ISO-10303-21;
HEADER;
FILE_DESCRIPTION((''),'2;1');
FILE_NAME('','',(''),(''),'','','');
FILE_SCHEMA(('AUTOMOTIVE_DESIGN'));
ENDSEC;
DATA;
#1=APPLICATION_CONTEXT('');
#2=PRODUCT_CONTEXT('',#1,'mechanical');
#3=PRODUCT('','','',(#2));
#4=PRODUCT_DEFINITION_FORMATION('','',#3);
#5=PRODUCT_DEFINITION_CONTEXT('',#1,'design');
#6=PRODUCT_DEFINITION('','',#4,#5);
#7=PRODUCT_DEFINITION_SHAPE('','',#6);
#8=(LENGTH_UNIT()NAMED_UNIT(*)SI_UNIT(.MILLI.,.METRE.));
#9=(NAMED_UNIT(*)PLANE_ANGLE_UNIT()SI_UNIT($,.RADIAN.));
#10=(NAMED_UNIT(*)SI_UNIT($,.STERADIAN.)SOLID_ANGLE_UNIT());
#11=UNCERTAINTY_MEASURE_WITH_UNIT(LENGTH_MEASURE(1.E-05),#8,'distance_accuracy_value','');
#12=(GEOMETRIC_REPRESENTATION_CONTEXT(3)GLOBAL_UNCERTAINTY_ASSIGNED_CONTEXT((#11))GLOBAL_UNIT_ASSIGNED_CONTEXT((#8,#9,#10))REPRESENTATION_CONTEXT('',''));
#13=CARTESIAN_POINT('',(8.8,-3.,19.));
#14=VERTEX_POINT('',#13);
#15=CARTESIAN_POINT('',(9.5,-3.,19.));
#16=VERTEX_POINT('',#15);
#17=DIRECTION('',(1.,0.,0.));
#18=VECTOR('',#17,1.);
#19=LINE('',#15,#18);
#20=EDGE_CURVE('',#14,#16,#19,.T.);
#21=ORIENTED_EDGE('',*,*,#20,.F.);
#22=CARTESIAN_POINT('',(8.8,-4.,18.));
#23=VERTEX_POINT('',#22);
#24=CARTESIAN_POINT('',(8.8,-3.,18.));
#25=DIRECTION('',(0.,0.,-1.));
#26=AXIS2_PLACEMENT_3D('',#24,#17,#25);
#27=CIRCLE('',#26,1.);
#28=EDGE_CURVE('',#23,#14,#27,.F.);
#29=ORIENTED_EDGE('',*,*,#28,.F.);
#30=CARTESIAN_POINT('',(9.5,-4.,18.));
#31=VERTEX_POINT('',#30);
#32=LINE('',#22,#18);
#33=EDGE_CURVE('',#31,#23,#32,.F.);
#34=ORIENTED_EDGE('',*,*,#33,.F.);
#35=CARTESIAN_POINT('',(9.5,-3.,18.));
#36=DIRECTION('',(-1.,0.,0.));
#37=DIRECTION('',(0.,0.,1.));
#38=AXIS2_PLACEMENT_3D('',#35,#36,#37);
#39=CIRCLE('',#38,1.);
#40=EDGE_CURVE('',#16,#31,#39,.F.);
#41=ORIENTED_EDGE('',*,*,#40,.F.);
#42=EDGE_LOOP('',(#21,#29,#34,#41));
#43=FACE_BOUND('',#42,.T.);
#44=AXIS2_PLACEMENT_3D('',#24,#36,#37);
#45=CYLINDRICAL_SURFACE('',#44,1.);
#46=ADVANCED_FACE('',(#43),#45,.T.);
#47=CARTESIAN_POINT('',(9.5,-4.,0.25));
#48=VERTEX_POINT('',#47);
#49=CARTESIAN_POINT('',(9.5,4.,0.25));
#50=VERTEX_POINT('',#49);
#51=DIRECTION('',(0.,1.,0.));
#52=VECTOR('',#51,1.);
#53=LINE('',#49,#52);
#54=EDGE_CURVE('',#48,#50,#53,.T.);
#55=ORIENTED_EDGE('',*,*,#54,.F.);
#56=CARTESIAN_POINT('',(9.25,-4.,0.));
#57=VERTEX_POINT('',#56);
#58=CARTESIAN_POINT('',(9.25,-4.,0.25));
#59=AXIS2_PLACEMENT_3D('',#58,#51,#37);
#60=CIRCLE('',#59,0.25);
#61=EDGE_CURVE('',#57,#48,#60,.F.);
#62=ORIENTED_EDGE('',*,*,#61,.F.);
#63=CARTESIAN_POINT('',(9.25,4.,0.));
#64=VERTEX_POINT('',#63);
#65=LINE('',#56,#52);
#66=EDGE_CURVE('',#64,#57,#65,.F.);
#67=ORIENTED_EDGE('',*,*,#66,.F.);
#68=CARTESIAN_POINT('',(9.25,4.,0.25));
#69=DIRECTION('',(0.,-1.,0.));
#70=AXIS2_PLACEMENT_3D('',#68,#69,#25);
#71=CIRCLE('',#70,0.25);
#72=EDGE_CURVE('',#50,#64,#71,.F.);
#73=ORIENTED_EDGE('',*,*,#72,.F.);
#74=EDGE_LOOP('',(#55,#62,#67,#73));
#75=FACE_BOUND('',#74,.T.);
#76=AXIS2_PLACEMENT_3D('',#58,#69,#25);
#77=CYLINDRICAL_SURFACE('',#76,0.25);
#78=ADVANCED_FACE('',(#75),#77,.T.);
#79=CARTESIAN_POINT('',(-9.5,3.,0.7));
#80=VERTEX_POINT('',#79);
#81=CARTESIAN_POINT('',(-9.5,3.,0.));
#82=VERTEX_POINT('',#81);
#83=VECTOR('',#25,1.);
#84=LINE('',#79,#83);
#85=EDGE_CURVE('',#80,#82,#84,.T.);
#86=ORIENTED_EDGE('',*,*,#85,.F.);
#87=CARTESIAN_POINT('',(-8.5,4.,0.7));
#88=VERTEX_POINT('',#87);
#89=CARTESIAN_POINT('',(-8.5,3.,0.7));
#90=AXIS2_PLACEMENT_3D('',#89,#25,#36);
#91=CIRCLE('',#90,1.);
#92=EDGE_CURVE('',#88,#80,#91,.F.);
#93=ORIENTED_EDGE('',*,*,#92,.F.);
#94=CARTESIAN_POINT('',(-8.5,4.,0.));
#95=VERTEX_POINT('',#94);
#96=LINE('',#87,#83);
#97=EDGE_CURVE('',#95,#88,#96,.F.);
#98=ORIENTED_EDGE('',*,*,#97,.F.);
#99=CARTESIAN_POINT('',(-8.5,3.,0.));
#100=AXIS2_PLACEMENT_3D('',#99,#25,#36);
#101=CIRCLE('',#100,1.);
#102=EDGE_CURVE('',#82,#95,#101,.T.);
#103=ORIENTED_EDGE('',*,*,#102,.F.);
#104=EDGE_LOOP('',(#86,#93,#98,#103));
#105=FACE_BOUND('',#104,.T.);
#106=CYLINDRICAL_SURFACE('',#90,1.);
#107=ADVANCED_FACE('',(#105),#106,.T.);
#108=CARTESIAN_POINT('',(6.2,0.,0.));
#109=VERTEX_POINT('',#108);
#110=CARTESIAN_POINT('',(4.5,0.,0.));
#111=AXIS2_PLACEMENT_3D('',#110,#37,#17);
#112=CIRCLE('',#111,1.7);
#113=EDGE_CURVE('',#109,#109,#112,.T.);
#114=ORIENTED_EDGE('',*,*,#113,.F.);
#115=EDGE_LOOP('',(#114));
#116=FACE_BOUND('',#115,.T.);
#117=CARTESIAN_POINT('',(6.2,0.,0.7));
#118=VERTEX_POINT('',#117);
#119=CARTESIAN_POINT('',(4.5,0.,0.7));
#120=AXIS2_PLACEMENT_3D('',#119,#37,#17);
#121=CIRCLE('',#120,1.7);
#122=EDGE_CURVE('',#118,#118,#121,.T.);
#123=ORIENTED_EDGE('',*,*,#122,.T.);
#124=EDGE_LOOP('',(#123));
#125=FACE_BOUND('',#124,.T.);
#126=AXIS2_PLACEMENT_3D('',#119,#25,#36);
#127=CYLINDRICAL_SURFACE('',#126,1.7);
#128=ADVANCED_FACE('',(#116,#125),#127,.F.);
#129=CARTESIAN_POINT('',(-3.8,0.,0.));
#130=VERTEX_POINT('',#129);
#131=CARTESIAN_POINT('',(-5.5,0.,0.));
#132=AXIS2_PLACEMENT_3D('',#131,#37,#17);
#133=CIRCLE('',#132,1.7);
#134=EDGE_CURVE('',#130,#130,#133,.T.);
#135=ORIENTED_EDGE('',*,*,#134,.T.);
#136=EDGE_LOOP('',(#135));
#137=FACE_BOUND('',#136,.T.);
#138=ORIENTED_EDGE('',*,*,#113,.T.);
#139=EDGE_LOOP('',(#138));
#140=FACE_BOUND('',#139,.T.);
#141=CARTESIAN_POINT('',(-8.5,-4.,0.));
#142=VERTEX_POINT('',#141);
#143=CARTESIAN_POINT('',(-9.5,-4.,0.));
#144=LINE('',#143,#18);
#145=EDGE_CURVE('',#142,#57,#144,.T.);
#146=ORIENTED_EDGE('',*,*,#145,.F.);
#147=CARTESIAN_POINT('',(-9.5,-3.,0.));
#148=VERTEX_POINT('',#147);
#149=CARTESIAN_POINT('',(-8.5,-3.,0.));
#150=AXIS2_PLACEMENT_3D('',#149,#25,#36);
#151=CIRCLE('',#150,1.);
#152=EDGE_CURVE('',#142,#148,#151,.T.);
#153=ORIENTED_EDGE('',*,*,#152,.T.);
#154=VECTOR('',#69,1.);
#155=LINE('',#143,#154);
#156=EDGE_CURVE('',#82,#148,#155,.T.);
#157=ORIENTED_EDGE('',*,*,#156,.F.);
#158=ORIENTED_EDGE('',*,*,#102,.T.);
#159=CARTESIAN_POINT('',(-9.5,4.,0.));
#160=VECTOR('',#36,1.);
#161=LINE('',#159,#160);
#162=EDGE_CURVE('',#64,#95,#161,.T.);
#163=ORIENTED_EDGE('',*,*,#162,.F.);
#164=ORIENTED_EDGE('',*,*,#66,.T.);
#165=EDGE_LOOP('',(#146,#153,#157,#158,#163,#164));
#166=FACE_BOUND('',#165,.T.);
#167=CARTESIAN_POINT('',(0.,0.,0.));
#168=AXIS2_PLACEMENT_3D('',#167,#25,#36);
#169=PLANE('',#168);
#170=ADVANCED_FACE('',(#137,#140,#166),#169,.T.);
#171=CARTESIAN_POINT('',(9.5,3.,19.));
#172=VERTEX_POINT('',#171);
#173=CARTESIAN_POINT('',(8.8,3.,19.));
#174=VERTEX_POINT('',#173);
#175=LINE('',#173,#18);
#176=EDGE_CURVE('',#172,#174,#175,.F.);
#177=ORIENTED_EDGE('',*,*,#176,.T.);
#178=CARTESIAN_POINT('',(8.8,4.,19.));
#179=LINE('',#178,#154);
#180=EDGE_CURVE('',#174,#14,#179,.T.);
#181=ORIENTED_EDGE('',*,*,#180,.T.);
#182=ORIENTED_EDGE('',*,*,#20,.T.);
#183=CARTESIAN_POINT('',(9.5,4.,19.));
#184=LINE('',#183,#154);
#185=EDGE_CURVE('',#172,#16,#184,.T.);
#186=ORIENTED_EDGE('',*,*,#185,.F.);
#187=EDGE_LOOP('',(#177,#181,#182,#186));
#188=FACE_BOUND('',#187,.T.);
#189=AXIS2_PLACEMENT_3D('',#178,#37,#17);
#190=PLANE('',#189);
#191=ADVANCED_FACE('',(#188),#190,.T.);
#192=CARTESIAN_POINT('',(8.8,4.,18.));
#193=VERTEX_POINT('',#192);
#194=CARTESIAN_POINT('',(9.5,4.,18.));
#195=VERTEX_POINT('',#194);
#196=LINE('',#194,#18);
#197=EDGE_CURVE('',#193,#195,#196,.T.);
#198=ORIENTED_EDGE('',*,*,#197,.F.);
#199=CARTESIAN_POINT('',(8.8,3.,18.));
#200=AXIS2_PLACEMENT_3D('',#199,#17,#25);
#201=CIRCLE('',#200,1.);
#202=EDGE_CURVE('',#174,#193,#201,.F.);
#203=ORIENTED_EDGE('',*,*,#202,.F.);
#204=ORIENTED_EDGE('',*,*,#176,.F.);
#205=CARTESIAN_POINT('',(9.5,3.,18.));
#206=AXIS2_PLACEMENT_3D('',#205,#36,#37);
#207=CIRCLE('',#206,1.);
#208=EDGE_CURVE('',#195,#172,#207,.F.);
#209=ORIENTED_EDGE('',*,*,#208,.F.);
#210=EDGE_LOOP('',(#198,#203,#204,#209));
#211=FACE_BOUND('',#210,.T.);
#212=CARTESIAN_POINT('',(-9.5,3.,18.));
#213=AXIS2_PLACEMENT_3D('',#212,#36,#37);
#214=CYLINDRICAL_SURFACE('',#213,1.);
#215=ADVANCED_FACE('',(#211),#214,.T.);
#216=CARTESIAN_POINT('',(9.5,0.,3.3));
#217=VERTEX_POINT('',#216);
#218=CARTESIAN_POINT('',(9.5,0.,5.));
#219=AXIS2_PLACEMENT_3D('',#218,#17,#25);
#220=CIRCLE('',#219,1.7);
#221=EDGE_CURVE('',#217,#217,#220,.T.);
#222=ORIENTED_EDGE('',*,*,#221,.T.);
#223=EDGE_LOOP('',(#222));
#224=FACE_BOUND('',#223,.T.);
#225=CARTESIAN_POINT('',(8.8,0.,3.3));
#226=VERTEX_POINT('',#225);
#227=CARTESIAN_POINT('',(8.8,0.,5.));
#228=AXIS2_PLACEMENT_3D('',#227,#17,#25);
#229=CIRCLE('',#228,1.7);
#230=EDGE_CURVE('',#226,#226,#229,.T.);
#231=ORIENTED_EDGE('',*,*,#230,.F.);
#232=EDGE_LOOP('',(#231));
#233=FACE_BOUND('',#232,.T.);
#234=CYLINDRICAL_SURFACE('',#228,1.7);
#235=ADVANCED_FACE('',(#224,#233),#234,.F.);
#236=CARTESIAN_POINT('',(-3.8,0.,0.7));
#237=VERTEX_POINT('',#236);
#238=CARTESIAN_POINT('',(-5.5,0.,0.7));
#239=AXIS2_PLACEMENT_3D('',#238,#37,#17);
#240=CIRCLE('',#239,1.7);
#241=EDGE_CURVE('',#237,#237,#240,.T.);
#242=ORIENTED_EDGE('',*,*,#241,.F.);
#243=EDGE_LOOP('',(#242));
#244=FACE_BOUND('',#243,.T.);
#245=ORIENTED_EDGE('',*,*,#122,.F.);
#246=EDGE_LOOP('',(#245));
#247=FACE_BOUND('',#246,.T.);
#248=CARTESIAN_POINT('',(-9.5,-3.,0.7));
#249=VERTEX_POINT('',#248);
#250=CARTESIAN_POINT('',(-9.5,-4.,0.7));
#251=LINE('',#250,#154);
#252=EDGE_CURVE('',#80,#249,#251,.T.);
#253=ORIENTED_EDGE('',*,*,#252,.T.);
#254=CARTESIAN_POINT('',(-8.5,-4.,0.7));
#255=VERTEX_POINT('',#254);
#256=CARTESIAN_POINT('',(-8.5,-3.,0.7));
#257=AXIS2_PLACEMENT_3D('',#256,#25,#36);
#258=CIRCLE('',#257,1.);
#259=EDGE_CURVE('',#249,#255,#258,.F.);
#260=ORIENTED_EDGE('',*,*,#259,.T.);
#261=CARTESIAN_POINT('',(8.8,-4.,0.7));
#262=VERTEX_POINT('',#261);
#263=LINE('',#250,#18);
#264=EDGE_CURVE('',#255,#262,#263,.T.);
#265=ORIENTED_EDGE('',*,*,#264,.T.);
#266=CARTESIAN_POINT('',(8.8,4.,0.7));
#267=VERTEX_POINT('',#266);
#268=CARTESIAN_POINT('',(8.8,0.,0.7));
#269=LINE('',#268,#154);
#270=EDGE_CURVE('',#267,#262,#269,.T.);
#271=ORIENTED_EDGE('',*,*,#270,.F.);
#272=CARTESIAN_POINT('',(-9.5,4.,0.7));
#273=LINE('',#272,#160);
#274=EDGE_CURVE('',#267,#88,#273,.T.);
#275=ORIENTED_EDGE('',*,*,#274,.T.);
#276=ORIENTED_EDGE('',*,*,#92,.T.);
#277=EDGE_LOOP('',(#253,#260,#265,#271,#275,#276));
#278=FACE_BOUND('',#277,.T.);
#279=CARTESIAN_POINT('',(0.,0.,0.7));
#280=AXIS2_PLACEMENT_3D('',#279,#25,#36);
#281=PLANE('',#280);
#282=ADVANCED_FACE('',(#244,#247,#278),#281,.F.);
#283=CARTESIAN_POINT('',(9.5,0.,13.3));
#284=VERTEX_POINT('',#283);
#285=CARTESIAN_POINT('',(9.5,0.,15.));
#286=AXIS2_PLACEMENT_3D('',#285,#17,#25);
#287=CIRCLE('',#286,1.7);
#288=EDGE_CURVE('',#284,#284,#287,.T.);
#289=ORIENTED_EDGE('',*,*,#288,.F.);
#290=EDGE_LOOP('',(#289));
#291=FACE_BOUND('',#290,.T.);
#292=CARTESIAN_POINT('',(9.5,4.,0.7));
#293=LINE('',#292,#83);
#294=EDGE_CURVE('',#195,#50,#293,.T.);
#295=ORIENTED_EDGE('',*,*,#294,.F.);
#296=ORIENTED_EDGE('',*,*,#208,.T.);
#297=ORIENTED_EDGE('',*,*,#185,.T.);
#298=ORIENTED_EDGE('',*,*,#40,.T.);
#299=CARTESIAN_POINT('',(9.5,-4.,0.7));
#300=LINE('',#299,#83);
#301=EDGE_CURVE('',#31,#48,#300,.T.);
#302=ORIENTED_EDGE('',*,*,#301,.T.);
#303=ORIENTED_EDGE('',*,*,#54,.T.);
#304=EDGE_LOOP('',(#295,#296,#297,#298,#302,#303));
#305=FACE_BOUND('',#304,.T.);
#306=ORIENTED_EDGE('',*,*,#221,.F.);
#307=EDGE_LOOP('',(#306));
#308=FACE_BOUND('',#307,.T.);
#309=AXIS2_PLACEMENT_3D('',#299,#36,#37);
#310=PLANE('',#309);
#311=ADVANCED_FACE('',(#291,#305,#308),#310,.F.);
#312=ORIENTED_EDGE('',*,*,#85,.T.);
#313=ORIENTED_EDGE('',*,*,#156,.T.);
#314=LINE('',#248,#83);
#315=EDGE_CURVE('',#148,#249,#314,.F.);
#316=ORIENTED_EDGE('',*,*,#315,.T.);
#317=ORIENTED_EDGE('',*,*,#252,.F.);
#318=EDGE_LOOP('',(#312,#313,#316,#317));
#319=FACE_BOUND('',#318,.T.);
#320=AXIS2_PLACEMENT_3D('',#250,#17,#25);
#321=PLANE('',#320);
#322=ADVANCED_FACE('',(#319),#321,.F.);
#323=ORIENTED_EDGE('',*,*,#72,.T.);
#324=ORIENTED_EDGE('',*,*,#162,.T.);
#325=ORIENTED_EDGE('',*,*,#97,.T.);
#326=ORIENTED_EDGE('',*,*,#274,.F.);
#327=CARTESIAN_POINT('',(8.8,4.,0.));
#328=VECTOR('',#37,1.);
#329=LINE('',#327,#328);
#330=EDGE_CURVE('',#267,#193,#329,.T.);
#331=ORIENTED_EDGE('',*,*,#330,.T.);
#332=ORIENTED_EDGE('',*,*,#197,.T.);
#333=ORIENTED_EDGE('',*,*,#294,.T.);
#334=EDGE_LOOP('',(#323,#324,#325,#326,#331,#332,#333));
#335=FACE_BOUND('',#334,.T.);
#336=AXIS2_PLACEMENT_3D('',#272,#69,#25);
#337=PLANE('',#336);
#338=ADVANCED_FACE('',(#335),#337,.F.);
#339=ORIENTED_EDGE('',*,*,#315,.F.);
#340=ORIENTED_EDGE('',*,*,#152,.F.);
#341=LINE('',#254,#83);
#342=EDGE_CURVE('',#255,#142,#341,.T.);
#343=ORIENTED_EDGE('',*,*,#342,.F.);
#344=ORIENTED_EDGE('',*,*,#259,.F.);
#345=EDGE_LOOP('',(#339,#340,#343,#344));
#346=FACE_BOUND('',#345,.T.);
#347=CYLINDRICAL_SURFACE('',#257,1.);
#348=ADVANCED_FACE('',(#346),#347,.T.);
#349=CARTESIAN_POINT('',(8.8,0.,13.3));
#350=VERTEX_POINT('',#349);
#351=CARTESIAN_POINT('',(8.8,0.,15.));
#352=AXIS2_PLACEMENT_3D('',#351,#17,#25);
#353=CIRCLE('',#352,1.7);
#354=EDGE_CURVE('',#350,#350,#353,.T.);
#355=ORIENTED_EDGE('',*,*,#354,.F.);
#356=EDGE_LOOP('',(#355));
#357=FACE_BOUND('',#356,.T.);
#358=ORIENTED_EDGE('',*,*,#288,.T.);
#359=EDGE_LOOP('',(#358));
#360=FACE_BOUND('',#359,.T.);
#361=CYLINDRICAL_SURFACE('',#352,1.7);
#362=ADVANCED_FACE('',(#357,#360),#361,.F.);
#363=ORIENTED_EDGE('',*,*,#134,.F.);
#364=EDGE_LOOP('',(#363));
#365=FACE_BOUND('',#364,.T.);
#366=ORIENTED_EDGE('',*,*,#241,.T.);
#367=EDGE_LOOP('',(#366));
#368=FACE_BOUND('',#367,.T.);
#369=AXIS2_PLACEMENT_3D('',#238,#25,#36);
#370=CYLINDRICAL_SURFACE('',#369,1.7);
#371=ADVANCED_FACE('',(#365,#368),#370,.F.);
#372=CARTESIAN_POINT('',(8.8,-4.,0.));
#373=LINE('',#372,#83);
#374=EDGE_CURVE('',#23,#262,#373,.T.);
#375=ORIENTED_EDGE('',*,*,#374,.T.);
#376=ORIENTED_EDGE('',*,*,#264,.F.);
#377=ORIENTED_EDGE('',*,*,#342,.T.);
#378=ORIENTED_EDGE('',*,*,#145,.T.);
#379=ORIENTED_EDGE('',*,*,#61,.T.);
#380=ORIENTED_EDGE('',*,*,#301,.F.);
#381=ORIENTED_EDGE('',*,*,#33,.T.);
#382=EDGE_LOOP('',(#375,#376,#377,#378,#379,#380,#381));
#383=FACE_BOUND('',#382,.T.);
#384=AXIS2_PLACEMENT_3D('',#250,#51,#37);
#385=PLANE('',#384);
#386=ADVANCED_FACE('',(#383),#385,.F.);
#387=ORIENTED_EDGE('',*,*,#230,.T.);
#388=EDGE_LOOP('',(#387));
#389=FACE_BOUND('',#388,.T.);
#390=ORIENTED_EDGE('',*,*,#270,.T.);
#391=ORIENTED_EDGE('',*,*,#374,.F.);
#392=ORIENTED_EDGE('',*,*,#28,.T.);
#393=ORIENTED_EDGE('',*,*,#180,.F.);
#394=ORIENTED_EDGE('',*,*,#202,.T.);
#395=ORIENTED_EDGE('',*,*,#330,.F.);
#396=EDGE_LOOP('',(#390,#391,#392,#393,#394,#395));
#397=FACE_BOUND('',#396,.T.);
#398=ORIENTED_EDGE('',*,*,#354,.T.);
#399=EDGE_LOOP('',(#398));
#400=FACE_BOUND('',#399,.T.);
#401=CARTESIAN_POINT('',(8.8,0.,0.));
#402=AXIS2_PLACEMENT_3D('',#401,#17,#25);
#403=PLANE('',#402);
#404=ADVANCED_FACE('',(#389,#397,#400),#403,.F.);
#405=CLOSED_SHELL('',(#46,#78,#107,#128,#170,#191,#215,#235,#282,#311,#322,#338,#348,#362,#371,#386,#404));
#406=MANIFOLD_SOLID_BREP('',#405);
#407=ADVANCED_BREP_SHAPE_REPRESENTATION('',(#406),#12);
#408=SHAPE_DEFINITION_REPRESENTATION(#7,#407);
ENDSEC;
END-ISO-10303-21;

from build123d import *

# Parameters (mm, degrees)
SKETCH_1_W      = 19
SKETCH_1_H      = 8
SKETCH_1_R      = 1.7
EXTRUDE_1_DEPTH = 0.7
SKETCH_2_W      = 19
SKETCH_2_H      = 8
SKETCH_2_R      = 1.7
EXTRUDE_2_DEPTH = 0.7
FILLET_1_R      = 1
FILLET_2_R      = 0.25


with BuildPart() as part:
    # 草图1 → 凸台-拉伸1 (new body)
    with BuildSketch(Plane.XY):
        Rectangle(SKETCH_1_W, SKETCH_1_H)
        with Locations((-5.5, 0)):
            Circle(SKETCH_1_R, mode=Mode.SUBTRACT)
        with Locations((4.5, 0)):
            Circle(SKETCH_1_R, mode=Mode.SUBTRACT)
    extrude(amount=EXTRUDE_1_DEPTH)

    # 草图2 → 凸台-拉伸2 (add)
    with BuildSketch(Plane(origin=(9.5, 0, 0), x_dir=(0, 0, -1), z_dir=(1, 0, 0))):
        with Locations((-9.5, 0)):
            Rectangle(SKETCH_2_W, SKETCH_2_H)
        with Locations((-5, 0)):
            Circle(SKETCH_2_R, mode=Mode.SUBTRACT)
        with Locations((-15, 0)):
            Circle(SKETCH_2_R, mode=Mode.SUBTRACT)
    extrude(amount=-EXTRUDE_2_DEPTH)

    # 圆角1
    fillet_1_edges = [part.edges().sort_by_distance(p)[0] for p in [
        (9.15, 4, 19),
        (9.15, -4, 19),
        (-9.5, -4, 0.35),
        (-9.5, 4, 0.35),
    ]]
    fillet(fillet_1_edges, radius=FILLET_1_R)

    # 圆角2
    fillet_2_edges = [part.edges().sort_by_distance(p)[0] for p in [
        (9.5, 0, 0),
    ]]
    fillet(fillet_2_edges, radius=FILLET_2_R)


solid = part.part
